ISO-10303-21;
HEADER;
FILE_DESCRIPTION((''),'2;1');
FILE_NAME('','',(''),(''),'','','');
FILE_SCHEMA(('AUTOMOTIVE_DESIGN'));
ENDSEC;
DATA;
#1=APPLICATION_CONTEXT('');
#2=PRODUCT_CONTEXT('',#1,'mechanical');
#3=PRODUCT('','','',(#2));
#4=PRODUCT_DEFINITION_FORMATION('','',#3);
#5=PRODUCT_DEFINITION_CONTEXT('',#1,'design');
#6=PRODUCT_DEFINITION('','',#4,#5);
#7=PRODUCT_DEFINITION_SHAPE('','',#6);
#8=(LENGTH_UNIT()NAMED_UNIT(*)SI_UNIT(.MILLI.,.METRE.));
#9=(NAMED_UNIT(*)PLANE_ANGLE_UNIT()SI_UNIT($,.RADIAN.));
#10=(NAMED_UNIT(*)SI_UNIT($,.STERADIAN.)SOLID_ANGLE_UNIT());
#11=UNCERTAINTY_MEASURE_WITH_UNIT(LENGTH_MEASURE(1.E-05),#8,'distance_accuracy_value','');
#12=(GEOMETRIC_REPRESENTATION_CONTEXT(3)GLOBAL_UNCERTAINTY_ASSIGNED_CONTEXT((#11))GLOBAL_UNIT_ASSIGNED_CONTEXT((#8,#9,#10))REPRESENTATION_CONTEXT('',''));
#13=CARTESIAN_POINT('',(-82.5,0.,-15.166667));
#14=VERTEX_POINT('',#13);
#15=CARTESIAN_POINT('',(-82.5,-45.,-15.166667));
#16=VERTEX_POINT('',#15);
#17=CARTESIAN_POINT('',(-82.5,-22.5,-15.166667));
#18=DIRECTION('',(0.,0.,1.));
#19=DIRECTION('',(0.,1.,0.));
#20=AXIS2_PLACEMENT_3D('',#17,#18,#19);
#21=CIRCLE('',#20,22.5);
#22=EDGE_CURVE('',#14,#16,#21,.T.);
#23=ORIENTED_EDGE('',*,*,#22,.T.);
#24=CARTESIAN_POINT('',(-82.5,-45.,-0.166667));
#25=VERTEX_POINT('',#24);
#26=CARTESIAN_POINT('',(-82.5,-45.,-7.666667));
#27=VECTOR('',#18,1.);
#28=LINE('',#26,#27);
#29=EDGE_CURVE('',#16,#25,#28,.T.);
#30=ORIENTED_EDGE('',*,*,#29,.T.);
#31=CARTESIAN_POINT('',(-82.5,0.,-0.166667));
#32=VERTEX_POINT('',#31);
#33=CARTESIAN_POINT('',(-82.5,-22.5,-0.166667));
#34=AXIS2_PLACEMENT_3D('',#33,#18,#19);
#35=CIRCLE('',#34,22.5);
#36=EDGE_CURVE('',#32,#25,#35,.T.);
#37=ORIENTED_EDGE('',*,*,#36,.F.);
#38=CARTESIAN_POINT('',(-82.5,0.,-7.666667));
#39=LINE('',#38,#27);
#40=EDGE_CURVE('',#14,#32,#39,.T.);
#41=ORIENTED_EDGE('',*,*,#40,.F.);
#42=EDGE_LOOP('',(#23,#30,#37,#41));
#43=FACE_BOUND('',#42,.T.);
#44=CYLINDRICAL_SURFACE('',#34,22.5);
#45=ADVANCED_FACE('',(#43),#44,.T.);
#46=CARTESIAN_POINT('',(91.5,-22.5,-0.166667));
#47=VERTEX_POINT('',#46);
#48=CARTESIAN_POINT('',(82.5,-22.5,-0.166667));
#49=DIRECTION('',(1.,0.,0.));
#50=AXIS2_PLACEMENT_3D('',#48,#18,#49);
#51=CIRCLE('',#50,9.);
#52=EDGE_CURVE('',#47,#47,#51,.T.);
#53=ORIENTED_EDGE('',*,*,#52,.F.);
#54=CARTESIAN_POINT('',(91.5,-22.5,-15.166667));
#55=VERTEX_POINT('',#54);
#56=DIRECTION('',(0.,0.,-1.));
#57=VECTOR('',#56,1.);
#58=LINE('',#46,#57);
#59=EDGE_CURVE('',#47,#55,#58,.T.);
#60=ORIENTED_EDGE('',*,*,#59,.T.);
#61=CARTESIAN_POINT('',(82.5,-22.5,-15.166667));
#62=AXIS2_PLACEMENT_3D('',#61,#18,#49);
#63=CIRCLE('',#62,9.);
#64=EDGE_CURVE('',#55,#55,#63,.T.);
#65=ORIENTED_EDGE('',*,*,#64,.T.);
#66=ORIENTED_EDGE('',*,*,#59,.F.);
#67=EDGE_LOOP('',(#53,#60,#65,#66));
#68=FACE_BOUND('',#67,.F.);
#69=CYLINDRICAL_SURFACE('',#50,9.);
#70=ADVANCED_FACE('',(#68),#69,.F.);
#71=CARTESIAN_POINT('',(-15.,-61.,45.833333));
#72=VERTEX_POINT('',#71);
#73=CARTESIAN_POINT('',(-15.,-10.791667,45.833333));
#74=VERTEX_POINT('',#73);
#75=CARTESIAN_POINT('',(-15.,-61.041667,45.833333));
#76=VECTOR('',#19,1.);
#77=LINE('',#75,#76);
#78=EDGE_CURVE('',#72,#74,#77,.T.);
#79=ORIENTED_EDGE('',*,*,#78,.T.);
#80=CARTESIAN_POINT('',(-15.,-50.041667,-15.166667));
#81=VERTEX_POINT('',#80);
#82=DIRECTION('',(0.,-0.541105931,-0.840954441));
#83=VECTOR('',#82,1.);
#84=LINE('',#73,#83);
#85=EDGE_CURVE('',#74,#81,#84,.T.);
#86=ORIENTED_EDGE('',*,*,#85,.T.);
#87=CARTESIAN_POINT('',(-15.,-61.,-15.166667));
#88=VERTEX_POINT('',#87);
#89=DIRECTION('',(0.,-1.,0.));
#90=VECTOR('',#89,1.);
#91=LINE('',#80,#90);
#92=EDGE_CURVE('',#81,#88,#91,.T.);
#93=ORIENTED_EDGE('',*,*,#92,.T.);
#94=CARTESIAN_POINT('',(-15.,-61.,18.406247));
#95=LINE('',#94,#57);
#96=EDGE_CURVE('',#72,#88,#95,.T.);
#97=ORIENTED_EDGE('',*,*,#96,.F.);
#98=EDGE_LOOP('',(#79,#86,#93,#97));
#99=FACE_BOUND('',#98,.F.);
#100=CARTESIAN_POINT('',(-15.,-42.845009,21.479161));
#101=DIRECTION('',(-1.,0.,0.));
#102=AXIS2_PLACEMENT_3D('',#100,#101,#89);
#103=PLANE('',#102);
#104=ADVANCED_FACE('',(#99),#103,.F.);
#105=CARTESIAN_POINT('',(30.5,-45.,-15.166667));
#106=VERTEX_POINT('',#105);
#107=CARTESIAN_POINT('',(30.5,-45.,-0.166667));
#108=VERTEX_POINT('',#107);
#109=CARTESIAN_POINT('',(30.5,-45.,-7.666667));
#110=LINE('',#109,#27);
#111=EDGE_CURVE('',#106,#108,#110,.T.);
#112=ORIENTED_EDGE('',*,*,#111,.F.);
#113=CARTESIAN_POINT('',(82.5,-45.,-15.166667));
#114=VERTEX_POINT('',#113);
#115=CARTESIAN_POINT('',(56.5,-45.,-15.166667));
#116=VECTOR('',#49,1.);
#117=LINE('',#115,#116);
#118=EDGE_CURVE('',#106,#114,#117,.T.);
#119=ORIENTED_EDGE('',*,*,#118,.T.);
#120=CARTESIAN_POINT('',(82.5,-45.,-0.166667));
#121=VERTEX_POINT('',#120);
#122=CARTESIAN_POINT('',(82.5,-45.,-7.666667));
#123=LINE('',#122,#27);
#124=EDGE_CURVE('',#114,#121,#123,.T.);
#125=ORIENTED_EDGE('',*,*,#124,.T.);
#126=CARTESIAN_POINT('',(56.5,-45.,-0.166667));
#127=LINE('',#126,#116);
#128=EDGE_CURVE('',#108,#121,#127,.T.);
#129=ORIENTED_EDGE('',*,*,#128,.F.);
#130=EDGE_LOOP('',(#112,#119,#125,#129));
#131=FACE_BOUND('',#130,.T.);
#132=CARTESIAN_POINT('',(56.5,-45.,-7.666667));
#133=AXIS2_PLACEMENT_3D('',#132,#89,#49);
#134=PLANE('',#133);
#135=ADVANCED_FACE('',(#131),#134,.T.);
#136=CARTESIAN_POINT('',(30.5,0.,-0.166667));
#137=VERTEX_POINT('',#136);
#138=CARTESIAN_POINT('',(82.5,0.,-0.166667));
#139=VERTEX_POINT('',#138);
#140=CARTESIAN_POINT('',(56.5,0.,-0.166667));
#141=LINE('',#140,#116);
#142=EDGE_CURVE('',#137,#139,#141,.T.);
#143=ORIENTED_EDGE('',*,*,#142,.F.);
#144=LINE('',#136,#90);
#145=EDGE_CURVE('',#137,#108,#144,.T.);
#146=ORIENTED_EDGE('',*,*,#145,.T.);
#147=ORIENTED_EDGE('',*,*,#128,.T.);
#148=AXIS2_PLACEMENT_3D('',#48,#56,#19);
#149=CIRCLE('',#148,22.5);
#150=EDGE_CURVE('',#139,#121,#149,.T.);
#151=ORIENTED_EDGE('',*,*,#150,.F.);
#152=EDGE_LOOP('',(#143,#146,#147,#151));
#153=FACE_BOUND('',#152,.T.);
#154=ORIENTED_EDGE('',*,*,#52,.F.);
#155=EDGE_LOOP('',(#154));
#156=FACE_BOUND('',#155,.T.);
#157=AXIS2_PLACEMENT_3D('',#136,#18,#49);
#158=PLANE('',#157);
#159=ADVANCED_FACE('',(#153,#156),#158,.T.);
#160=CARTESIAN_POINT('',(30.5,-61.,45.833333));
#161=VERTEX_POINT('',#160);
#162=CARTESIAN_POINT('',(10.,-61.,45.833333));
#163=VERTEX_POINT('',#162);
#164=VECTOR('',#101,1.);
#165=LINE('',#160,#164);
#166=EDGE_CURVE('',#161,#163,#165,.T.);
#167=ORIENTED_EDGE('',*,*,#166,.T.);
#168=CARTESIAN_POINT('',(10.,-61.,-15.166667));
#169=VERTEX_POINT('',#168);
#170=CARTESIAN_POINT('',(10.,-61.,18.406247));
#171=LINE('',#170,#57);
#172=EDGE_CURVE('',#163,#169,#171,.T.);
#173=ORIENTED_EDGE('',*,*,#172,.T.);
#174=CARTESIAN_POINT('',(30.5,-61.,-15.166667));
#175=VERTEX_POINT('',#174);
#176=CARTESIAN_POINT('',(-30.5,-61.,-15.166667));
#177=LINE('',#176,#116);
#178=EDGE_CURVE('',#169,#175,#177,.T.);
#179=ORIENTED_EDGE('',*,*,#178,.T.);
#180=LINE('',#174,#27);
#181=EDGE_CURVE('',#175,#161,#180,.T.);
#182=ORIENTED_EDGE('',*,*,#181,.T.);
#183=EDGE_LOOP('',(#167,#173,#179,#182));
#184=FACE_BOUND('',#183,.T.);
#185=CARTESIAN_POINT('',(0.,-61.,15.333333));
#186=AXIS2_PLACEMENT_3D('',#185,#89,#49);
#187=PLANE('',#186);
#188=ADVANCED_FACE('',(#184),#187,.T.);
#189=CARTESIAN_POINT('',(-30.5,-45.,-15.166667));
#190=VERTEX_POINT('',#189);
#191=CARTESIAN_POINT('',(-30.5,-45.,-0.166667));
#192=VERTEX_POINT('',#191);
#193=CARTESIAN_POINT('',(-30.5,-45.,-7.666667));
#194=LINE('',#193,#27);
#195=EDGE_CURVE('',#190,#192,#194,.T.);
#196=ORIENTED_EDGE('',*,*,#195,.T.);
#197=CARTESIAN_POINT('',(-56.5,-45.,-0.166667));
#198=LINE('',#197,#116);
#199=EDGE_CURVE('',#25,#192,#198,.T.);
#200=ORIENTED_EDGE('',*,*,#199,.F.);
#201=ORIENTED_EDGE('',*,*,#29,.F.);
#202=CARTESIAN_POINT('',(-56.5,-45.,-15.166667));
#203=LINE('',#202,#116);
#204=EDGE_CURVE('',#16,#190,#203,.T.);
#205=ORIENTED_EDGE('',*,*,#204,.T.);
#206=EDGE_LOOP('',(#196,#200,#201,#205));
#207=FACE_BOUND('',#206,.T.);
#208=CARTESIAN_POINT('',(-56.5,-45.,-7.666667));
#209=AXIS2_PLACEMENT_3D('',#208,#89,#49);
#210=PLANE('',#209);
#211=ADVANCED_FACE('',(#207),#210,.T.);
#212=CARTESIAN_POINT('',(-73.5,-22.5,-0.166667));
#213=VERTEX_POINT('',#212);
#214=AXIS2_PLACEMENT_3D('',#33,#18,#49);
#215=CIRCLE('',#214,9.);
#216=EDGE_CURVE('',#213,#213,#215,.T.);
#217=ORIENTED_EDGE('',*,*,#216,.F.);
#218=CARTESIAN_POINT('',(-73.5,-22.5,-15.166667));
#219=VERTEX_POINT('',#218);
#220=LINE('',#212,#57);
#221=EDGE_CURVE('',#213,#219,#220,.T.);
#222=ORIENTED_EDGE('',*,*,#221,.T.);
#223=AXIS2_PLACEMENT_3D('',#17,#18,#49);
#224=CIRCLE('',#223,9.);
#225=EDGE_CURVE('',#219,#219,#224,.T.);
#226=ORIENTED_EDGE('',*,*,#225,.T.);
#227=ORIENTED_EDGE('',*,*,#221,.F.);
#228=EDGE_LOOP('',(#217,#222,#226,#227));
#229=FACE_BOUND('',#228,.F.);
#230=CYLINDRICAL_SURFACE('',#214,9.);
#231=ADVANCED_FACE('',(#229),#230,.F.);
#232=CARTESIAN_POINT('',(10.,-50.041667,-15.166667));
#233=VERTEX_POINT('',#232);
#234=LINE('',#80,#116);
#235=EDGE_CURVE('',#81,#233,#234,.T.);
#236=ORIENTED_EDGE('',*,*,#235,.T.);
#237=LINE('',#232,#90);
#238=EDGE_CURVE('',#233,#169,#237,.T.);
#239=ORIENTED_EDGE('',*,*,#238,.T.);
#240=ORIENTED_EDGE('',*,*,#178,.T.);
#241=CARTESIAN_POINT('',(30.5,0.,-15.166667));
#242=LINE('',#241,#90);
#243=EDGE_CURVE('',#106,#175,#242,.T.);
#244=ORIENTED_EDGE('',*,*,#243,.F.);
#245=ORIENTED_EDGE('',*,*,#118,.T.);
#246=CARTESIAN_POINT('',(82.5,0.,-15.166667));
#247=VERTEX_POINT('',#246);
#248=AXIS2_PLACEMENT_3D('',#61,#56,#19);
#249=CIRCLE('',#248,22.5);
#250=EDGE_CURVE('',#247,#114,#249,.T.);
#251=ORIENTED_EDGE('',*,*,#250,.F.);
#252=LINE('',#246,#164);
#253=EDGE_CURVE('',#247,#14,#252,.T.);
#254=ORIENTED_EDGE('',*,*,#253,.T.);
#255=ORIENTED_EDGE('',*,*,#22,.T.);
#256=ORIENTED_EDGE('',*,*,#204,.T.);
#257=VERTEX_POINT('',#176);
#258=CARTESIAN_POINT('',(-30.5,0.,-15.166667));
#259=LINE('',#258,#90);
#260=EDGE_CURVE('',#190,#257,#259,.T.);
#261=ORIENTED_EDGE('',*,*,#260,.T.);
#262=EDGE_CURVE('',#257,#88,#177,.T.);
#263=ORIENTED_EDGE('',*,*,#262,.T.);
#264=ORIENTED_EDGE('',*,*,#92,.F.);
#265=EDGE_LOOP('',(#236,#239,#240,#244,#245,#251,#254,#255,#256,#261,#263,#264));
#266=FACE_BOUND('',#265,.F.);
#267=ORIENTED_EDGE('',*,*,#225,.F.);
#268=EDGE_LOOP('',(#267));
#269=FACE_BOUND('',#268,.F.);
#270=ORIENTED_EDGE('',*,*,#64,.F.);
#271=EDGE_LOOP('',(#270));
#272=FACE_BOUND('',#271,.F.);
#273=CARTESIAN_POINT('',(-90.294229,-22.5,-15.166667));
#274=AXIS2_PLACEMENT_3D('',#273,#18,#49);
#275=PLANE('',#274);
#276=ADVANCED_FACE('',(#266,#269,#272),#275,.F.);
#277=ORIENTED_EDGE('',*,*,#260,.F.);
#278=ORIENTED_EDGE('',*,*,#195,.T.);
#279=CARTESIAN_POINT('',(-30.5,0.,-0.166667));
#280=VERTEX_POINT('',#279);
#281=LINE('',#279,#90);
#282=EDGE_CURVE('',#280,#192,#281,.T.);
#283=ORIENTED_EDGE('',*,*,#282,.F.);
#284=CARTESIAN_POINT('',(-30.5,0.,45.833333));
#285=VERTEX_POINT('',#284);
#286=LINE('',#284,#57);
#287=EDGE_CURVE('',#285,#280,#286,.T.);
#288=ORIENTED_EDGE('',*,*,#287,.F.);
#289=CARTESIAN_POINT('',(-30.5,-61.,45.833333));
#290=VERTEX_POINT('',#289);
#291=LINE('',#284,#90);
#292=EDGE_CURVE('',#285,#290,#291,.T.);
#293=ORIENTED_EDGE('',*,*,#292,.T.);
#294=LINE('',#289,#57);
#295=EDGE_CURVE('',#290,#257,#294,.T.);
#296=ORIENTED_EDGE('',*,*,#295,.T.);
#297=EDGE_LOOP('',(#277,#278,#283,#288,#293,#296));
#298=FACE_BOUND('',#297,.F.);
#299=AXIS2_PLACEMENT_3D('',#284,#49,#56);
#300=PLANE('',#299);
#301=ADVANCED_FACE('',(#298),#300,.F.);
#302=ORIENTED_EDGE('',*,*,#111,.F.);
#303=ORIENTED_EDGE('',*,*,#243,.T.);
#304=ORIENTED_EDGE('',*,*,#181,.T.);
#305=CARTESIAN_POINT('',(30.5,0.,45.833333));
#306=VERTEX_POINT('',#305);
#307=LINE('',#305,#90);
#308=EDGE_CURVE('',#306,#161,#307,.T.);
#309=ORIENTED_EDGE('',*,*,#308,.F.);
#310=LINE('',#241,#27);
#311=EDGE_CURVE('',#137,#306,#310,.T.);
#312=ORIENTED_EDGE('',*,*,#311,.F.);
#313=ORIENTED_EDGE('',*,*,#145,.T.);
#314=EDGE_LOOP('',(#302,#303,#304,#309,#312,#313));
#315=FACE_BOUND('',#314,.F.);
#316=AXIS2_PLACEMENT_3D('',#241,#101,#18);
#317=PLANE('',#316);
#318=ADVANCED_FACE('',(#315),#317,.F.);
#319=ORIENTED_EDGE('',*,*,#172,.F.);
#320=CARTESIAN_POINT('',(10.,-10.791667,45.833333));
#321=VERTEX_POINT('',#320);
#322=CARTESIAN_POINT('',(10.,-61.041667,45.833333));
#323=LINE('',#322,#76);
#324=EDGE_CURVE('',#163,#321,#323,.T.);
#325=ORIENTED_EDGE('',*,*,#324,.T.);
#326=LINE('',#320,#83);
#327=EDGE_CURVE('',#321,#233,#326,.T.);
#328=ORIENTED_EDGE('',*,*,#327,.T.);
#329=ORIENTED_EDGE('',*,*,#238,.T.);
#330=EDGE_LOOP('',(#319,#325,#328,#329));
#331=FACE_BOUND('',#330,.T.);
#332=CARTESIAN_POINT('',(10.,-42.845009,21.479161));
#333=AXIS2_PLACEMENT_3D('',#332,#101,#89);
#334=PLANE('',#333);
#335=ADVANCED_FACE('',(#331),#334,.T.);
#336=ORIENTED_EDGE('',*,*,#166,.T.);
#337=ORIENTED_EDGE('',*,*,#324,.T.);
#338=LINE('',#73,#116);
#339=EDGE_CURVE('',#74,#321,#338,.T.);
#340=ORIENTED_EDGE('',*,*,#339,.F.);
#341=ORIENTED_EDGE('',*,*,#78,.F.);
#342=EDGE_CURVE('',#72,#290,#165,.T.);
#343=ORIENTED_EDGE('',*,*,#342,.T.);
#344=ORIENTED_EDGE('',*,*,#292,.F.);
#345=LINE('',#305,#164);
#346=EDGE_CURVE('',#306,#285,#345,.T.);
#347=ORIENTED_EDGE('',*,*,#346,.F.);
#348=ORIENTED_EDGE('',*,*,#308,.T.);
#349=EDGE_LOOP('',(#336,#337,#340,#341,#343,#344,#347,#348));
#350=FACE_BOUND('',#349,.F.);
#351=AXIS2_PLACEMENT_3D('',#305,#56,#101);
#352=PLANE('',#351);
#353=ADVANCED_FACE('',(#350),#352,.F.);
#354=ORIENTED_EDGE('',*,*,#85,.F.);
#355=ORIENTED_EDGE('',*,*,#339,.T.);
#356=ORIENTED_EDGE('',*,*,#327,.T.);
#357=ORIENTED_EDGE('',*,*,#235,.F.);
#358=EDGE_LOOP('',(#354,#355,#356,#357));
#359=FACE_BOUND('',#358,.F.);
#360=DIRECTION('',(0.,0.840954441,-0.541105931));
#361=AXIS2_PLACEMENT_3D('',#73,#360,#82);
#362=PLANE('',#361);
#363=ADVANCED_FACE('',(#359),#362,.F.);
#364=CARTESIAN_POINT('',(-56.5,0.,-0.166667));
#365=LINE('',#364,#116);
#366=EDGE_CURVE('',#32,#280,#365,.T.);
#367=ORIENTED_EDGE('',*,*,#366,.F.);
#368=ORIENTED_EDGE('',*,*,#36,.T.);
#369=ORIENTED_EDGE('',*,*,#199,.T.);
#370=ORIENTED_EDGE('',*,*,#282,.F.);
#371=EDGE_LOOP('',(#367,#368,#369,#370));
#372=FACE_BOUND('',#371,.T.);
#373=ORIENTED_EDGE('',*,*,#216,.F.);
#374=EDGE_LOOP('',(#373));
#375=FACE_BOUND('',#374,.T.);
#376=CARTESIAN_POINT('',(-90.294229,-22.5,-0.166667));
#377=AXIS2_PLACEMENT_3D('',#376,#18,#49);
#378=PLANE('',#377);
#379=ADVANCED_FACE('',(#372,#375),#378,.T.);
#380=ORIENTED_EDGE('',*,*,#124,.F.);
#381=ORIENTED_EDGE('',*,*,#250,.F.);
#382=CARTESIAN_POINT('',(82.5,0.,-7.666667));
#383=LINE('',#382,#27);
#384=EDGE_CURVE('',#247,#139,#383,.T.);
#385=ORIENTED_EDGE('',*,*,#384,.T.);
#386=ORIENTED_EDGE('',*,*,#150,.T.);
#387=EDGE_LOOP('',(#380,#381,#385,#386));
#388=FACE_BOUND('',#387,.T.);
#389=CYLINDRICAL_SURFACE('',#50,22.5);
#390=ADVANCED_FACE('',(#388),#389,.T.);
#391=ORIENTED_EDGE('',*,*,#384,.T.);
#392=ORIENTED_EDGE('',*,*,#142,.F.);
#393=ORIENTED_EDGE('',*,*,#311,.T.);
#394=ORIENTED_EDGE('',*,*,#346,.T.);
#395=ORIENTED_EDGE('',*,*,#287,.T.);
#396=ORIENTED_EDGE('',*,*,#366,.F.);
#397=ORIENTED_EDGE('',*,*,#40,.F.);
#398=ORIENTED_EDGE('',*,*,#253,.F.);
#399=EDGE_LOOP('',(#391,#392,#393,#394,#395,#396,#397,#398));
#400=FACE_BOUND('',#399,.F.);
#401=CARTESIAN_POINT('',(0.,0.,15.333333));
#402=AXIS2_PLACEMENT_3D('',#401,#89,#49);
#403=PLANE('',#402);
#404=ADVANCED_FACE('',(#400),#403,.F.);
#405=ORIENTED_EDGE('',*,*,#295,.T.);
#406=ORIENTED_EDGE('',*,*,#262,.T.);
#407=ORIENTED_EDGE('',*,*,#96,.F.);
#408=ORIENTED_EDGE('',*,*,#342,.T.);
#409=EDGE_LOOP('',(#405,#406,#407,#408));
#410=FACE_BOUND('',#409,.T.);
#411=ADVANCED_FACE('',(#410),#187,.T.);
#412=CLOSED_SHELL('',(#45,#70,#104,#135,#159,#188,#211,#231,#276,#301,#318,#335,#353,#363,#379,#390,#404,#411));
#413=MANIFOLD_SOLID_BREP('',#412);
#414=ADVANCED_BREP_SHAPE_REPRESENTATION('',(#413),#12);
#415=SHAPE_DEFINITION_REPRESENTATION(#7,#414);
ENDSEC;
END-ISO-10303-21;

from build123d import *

# Parameters (mm, degrees)
F0_W      = 52
F0_H      = 15
F1_DEPTH  = 45
F2_DEPTH  = 61
F3_R      = 22.5
F4_DEPTH  = 15
F6_R      = 9
F5_R      = 9
F7_DEPTH  = 25
F10_DEPTH = 25


with BuildPart() as f1:
    # F0 (on Front) → F1 (new body)
    with BuildSketch(Plane.XZ):
        with Locations((-56.5, -7.6666666667)):
            Rectangle(F0_W, F0_H)
    extrude(amount=F1_DEPTH)



with BuildPart() as f1b:
    # F0 (on Front) → F1, piece 2 (new body)
    with BuildSketch(Plane.XZ):
        with Locations((56.5, -7.6666666667)):
            Rectangle(F0_W, F0_H)
    extrude(amount=F1_DEPTH)


with BuildPart() as f1_1:
    add(f1.part)

    add(f1b.part)  # F2 merges F1b
    # F0 (on Front) → F2 (join)
    with BuildSketch(Plane.XZ):
        Polygon((30.5, 45.8333333333), (-30.5, 45.8333333333), (-30.5, -0.1666666667), (-30.5, -15.1666666667), (30.5, -15.1666666667), (30.5, -0.1666666667), align=None)
    extrude(amount=F2_DEPTH)

    # F3 (on face) → F4 (join)
    with BuildSketch(Plane.XY.offset(-0.1666666667)):
        with BuildLine():
            Line((-82.5, -45), (-82.5, 0))
            ThreePointArc((-82.5, 0), (-105, -22.5), (-82.5, -45))
        make_face()
        with Locations((82.5, -22.5)):
            Circle(F3_R)
    extrude(amount=-F4_DEPTH)

    # F6 (on face) + F5 (on face) → F7 (cut)
    with BuildSketch(Plane.XY.offset(-0.1666666667)):
        with Locations((82.5, -22.5)):
            Circle(F6_R)
    with BuildSketch(Plane.XY.offset(-0.1666666667)):
        with Locations((-82.5, -22.5)):
            Circle(F5_R)
    extrude(amount=-F7_DEPTH, mode=Mode.SUBTRACT)

    # F9 (on offset) → F10 (cut)
    with BuildSketch(Plane(origin=(-15, 0, 0), x_dir=(0, -1, 0), z_dir=(-1, 0, 0))):
        Polygon((61.0416666667, 45.8333333333), (10.7916666667, 45.8333333333), (50.0416666667, -15.1666666667), (61.0416666667, -15.1666666667), align=None)
    extrude(amount=-F10_DEPTH, mode=Mode.SUBTRACT)


solid = f1_1.part
